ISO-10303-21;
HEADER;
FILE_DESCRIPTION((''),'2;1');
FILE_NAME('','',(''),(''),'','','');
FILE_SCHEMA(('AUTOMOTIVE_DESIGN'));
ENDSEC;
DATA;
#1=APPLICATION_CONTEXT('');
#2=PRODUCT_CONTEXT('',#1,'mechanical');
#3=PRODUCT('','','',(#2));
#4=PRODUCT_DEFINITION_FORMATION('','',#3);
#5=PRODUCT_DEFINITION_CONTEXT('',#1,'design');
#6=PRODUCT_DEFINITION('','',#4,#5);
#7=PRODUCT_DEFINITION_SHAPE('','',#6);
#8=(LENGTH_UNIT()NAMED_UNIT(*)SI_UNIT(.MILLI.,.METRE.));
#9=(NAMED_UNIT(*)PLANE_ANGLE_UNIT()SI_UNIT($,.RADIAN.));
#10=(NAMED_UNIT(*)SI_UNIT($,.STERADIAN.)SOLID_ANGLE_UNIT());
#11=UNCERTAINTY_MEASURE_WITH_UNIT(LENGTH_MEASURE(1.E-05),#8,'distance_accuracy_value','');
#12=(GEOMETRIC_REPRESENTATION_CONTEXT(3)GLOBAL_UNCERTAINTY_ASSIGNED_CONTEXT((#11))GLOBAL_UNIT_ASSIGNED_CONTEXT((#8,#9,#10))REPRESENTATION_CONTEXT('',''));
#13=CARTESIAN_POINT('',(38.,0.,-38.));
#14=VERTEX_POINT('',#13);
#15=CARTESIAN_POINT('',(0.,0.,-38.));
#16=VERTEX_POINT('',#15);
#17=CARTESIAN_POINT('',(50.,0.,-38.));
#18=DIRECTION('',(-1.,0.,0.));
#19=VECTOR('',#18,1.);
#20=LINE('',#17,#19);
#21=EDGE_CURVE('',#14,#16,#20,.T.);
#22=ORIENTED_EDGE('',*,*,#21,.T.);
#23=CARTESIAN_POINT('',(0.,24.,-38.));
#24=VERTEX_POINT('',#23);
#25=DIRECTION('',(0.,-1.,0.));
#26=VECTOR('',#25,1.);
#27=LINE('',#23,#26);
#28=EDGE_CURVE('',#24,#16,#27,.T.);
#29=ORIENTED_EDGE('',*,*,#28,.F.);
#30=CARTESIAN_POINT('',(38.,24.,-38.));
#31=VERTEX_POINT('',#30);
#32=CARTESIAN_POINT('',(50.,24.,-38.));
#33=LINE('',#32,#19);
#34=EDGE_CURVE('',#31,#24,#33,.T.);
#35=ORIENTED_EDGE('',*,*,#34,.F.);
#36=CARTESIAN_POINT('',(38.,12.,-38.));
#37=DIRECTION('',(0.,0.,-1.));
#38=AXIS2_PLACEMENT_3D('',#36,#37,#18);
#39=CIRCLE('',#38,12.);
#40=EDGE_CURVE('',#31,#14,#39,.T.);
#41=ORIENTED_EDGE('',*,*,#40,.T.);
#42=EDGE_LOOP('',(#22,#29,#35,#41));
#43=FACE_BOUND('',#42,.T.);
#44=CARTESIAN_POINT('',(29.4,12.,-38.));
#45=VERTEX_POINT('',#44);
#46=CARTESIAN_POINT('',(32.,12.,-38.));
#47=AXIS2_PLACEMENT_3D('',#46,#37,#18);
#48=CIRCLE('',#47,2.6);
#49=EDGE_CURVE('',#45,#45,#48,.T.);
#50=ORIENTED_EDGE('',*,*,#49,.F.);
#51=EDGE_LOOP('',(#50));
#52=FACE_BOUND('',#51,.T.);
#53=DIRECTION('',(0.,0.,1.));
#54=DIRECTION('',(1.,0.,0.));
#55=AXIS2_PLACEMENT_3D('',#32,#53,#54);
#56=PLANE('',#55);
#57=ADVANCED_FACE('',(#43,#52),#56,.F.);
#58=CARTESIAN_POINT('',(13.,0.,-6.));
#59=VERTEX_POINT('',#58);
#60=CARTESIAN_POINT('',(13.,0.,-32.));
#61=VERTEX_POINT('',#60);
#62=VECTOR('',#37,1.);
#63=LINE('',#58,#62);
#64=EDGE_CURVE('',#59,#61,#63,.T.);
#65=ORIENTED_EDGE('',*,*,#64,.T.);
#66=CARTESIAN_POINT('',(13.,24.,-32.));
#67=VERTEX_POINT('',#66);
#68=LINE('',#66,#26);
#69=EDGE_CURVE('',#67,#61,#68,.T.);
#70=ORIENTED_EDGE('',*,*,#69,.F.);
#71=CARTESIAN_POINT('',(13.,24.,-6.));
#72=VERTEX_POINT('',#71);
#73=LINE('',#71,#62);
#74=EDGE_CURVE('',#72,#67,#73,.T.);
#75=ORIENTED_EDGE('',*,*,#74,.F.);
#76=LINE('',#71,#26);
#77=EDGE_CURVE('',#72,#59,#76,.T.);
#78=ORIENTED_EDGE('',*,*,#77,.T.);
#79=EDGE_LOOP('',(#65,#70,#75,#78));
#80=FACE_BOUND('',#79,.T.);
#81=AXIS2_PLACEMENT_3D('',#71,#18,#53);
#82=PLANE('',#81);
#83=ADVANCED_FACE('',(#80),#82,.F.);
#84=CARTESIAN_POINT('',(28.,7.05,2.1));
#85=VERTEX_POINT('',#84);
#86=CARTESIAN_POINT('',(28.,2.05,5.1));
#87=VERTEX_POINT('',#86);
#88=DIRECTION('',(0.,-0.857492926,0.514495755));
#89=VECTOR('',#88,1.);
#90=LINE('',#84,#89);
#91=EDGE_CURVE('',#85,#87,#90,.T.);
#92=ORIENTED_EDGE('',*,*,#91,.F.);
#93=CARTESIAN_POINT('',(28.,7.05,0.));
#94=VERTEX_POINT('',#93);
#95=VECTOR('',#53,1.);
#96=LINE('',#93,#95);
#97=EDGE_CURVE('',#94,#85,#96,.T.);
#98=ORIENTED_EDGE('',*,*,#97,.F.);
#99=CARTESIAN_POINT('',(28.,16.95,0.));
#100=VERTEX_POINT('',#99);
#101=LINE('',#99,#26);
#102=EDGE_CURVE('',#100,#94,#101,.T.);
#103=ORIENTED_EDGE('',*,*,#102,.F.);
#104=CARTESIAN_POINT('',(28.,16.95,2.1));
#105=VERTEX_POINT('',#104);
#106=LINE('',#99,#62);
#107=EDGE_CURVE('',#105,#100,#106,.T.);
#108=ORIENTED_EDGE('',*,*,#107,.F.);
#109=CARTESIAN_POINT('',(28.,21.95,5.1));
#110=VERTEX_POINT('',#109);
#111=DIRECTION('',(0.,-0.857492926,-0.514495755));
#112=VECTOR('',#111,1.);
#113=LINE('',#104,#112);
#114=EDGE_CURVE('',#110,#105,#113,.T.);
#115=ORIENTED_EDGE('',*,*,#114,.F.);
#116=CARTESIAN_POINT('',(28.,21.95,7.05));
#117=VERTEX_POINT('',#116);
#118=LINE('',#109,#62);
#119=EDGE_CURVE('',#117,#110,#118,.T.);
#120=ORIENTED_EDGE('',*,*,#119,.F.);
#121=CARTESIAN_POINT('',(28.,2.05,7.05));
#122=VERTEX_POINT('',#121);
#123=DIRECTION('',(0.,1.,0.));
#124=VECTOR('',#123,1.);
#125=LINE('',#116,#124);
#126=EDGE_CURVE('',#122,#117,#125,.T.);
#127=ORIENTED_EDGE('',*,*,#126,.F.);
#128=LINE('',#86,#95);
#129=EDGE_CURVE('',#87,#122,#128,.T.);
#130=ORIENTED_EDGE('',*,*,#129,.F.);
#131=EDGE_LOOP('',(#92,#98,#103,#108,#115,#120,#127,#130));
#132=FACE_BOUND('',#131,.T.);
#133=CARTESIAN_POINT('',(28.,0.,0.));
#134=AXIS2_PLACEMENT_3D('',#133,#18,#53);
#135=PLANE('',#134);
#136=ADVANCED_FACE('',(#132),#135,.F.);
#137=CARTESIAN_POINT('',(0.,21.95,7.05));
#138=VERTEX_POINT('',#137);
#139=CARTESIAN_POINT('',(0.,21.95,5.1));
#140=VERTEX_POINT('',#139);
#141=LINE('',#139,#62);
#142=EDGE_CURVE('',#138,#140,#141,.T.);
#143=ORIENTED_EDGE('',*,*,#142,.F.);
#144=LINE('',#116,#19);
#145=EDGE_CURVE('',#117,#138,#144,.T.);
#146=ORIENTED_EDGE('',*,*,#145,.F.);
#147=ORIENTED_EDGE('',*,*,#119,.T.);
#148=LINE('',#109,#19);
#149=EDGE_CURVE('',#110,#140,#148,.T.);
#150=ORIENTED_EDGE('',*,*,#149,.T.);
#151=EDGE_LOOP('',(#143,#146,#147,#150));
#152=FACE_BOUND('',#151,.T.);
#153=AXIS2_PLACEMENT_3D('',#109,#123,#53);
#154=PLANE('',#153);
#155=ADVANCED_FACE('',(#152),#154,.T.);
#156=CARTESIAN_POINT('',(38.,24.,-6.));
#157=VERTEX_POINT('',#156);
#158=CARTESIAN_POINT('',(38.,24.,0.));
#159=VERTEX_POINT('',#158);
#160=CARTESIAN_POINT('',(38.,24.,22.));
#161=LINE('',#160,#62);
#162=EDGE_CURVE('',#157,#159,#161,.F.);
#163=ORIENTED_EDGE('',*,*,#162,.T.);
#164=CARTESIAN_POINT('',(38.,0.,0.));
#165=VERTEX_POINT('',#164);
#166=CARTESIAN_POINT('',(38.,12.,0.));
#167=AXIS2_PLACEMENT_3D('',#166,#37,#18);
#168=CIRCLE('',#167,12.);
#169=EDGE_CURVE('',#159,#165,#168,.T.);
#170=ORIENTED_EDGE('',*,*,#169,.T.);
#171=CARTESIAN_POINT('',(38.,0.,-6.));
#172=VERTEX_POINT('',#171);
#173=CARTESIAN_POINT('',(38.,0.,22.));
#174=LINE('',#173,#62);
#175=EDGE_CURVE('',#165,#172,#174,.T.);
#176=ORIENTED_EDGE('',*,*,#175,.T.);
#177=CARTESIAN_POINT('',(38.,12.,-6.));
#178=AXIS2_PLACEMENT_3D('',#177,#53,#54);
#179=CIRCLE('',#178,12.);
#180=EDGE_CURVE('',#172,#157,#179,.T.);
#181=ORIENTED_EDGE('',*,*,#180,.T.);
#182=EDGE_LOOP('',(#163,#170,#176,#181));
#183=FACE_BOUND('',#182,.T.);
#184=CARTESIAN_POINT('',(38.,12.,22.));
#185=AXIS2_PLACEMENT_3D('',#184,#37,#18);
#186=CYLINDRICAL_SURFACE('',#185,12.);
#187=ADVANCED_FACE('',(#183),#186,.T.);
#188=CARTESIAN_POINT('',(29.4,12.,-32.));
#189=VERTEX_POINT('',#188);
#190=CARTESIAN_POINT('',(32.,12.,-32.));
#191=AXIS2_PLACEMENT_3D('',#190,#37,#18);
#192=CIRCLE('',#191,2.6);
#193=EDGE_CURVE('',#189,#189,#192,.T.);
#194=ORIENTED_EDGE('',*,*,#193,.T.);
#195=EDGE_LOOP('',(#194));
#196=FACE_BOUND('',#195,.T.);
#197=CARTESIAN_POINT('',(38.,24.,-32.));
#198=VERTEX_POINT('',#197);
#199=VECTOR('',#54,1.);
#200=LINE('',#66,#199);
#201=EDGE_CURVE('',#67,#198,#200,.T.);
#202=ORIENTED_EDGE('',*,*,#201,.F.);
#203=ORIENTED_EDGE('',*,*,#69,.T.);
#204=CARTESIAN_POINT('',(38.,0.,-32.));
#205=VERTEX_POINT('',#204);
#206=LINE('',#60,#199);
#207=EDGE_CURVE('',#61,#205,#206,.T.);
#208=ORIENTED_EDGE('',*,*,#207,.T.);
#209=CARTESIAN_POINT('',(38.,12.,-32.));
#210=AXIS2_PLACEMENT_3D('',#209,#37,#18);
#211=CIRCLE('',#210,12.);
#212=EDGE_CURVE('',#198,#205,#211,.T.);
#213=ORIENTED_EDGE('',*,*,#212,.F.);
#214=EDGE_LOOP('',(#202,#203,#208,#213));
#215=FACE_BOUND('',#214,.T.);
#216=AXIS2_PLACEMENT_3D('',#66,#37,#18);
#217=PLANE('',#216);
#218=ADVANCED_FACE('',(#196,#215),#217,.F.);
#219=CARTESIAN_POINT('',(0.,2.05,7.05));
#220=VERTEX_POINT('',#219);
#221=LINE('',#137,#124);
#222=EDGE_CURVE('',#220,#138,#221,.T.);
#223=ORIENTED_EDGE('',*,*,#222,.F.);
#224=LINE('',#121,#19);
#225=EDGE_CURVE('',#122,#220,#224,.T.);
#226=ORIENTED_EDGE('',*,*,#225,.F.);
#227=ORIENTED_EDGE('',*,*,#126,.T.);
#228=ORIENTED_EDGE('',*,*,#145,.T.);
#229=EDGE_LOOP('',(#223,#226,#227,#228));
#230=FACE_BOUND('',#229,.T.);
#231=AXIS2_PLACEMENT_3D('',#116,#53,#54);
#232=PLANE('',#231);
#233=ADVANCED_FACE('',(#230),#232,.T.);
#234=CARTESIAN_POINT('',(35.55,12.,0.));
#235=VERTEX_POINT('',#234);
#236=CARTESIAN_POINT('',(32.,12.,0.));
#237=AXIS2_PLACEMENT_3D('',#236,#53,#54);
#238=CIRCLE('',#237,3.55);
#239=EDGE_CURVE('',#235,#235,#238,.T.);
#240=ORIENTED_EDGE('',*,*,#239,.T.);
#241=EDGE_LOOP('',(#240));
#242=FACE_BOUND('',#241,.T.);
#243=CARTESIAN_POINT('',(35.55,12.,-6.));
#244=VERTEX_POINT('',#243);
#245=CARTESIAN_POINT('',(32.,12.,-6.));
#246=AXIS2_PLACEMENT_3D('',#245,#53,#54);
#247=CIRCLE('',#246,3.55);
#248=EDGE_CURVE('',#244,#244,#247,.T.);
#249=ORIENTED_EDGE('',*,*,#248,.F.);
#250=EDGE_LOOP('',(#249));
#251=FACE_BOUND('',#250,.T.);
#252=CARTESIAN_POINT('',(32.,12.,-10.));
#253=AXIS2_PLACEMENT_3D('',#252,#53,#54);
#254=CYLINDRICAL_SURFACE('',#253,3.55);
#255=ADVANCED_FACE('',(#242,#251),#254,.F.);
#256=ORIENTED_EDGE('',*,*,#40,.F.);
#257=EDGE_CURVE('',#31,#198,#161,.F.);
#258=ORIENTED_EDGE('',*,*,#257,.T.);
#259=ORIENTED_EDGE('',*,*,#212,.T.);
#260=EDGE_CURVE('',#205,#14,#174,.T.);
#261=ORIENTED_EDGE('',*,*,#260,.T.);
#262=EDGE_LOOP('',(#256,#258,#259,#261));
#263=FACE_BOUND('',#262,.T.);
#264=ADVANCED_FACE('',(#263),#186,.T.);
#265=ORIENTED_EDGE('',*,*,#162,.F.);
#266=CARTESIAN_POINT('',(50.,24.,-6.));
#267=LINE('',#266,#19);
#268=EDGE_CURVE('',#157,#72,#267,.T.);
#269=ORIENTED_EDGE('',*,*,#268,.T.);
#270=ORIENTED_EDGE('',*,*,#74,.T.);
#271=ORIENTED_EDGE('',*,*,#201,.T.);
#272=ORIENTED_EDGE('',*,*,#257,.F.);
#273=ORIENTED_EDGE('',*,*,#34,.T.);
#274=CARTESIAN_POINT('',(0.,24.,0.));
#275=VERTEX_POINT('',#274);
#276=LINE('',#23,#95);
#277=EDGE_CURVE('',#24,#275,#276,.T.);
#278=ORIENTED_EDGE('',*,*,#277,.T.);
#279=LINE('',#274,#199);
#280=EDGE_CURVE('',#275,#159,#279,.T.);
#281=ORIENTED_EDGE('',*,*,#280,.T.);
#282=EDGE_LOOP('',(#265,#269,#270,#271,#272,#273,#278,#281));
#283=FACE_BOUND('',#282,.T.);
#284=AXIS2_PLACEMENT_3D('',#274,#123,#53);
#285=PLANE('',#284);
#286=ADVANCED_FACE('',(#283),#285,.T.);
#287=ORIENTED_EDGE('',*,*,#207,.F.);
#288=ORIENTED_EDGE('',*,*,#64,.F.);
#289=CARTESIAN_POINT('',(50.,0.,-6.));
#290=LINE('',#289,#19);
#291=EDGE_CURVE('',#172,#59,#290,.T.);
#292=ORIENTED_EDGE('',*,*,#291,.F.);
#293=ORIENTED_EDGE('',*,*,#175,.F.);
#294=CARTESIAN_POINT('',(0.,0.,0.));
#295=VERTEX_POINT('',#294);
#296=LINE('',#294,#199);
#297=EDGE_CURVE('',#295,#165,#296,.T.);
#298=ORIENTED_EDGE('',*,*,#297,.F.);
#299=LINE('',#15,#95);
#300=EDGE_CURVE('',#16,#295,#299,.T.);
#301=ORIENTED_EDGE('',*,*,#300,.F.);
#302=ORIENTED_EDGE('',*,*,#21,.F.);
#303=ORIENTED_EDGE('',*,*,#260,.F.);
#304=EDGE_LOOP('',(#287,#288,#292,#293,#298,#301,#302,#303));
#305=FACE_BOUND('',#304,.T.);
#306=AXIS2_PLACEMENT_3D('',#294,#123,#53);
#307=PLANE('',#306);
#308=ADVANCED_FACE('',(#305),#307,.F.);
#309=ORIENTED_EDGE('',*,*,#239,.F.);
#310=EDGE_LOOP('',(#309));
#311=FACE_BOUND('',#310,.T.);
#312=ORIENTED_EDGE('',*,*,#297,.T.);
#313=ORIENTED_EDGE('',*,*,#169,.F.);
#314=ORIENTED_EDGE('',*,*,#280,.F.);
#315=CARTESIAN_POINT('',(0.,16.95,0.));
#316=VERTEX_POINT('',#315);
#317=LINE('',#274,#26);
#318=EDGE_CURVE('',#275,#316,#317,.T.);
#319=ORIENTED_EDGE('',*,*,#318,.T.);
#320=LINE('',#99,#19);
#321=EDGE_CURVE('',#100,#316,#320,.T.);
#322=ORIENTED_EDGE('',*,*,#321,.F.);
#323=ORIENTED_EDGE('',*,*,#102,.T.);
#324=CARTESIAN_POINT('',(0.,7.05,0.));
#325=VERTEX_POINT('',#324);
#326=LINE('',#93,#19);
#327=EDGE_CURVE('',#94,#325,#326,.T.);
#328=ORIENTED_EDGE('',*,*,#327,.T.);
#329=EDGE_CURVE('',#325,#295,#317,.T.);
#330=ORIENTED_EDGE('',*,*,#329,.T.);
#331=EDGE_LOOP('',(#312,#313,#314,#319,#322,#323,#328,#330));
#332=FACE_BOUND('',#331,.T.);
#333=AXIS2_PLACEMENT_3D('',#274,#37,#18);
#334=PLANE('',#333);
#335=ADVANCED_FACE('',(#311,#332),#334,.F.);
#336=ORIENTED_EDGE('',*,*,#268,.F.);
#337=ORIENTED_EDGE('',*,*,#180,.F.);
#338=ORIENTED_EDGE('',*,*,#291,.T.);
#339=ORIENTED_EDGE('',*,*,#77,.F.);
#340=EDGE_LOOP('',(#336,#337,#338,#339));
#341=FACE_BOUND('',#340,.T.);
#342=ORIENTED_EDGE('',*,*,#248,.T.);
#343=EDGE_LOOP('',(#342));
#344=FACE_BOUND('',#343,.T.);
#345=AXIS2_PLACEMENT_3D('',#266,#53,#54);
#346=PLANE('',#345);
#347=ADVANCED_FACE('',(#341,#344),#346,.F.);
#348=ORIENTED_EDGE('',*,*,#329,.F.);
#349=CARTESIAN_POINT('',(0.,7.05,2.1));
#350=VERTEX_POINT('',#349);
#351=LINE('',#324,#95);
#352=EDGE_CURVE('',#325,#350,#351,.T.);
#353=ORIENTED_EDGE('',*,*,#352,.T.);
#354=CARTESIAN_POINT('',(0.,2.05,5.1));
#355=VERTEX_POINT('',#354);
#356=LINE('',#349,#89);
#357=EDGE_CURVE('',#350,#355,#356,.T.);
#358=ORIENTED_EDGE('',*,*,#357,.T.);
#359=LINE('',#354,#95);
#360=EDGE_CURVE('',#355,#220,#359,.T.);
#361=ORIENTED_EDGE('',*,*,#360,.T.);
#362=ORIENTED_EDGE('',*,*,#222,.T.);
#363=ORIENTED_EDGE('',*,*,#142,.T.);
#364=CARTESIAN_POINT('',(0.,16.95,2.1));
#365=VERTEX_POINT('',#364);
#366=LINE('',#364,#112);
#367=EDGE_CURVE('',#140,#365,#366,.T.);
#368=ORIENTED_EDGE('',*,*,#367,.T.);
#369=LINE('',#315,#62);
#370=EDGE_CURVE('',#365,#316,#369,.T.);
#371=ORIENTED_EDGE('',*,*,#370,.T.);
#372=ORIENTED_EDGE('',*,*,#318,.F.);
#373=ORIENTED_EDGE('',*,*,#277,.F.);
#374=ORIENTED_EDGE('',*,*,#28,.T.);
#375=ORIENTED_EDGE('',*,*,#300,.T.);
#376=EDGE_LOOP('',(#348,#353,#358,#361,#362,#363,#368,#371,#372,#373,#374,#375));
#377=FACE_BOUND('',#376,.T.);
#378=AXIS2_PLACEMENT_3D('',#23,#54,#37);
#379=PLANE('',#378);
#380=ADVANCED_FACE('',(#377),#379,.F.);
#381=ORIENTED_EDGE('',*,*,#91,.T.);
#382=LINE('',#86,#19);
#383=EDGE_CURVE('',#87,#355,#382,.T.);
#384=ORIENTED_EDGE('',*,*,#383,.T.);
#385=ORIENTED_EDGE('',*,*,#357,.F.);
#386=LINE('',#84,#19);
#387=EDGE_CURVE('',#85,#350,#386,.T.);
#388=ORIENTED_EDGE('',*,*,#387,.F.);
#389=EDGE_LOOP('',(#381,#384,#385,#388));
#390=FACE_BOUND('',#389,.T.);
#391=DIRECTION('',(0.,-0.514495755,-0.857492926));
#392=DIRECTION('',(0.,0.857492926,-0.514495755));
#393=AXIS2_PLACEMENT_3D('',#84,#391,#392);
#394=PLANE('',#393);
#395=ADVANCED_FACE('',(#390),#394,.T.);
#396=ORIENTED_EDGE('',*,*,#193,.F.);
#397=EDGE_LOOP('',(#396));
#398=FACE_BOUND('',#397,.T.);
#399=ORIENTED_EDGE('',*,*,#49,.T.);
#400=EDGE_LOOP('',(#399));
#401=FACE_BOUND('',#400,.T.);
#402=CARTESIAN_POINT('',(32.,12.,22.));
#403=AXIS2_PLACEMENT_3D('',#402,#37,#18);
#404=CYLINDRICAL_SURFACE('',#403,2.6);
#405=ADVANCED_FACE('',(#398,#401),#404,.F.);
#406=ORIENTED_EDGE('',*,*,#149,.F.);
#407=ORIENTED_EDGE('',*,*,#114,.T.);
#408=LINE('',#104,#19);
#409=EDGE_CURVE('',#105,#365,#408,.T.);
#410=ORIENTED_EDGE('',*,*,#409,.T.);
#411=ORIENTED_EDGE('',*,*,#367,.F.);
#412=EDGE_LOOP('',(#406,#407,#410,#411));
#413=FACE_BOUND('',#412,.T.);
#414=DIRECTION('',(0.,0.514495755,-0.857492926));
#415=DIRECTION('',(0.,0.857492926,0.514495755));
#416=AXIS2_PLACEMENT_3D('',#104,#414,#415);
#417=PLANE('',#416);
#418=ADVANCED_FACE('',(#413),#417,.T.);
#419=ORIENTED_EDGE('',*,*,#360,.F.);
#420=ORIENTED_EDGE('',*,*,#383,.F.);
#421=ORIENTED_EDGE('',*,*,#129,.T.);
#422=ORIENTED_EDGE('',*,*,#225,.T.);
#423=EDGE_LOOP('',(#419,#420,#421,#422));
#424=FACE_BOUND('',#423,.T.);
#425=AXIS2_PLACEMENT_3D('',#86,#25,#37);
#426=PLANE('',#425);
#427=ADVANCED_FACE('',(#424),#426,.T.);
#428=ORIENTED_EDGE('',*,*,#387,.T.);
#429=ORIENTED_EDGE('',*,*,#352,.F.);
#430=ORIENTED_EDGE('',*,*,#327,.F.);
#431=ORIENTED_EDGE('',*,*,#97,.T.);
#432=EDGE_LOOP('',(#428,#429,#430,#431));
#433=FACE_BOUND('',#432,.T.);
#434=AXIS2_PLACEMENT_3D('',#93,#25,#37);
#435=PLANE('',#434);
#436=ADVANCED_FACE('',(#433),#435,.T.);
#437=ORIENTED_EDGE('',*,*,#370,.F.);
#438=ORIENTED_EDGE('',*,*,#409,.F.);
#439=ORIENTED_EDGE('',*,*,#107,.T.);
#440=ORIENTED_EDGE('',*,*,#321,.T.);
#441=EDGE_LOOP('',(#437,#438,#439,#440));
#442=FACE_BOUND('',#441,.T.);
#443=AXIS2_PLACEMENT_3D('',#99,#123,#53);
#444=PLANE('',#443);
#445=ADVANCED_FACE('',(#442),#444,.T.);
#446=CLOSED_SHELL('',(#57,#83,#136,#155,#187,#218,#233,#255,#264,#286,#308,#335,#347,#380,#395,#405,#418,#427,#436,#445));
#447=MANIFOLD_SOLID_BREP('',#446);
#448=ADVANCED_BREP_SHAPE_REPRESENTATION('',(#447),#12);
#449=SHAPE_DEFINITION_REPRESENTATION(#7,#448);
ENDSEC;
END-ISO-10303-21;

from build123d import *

# Parameters (mm, degrees)
BOSS_EXTRUDE1_DEPTH = 24
SKETCH3_R           = 2.6
CUT_EXTRUDE1_DEPTH  = 60
SKETCH5_R           = 3.55
CUT_EXTRUDE2_DEPTH  = 10
BOSS_EXTRUDE2_DEPTH = 28


with BuildPart() as part:
    # Sketch1 → Boss-Extrude1 (new body)
    with BuildSketch(Plane(origin=(0, 0, 0), x_dir=(1, 0, 0), z_dir=(0, 1, 0))):
        Polygon((0, 0), (50, 0), (50, 6), (13, 6), (13, 32), (50, 32), (50, 38), (0, 38), align=None)
    extrude(amount=BOSS_EXTRUDE1_DEPTH)

    # Sketch3 → Cut-Extrude1 (cut)
    with BuildSketch(Plane(origin=(0, 0, -38), x_dir=(-1, 0, 0), z_dir=(0, 0, -1))):
        with BuildLine():
            Line((-38, 24), (-50, 24))
            Line((-50, 24), (-50, 12))
            ThreePointArc((-50, 12), (-46.485281374, 20.485281374), (-38, 24))
        make_face()
        with BuildLine():
            ThreePointArc((-38, 0), (-46.485281374, 3.514718626), (-50, 12))
            Line((-50, 12), (-50, 0))
            Line((-50, 0), (-38, 0))
        make_face()
        with Locations((-32, 12)):
            Circle(SKETCH3_R)
    extrude(amount=-CUT_EXTRUDE1_DEPTH, mode=Mode.SUBTRACT)

    # Sketch5 → Cut-Extrude2 (cut)
    with BuildSketch(Plane.XY):
        with Locations((32, 12)):
            Circle(SKETCH5_R)
    extrude(amount=-CUT_EXTRUDE2_DEPTH, mode=Mode.SUBTRACT)

    # Sketch7 → Boss-Extrude2 (add)
    with BuildSketch(Plane.ZY):
        Polygon((0, 16.95), (2.1, 16.95), (5.1, 21.95), (7.05, 21.95), (7.05, 2.05), (5.1, 2.05), (2.1, 7.05), (0, 7.05), align=None)
    extrude(amount=-BOSS_EXTRUDE2_DEPTH)


solid = part.part
